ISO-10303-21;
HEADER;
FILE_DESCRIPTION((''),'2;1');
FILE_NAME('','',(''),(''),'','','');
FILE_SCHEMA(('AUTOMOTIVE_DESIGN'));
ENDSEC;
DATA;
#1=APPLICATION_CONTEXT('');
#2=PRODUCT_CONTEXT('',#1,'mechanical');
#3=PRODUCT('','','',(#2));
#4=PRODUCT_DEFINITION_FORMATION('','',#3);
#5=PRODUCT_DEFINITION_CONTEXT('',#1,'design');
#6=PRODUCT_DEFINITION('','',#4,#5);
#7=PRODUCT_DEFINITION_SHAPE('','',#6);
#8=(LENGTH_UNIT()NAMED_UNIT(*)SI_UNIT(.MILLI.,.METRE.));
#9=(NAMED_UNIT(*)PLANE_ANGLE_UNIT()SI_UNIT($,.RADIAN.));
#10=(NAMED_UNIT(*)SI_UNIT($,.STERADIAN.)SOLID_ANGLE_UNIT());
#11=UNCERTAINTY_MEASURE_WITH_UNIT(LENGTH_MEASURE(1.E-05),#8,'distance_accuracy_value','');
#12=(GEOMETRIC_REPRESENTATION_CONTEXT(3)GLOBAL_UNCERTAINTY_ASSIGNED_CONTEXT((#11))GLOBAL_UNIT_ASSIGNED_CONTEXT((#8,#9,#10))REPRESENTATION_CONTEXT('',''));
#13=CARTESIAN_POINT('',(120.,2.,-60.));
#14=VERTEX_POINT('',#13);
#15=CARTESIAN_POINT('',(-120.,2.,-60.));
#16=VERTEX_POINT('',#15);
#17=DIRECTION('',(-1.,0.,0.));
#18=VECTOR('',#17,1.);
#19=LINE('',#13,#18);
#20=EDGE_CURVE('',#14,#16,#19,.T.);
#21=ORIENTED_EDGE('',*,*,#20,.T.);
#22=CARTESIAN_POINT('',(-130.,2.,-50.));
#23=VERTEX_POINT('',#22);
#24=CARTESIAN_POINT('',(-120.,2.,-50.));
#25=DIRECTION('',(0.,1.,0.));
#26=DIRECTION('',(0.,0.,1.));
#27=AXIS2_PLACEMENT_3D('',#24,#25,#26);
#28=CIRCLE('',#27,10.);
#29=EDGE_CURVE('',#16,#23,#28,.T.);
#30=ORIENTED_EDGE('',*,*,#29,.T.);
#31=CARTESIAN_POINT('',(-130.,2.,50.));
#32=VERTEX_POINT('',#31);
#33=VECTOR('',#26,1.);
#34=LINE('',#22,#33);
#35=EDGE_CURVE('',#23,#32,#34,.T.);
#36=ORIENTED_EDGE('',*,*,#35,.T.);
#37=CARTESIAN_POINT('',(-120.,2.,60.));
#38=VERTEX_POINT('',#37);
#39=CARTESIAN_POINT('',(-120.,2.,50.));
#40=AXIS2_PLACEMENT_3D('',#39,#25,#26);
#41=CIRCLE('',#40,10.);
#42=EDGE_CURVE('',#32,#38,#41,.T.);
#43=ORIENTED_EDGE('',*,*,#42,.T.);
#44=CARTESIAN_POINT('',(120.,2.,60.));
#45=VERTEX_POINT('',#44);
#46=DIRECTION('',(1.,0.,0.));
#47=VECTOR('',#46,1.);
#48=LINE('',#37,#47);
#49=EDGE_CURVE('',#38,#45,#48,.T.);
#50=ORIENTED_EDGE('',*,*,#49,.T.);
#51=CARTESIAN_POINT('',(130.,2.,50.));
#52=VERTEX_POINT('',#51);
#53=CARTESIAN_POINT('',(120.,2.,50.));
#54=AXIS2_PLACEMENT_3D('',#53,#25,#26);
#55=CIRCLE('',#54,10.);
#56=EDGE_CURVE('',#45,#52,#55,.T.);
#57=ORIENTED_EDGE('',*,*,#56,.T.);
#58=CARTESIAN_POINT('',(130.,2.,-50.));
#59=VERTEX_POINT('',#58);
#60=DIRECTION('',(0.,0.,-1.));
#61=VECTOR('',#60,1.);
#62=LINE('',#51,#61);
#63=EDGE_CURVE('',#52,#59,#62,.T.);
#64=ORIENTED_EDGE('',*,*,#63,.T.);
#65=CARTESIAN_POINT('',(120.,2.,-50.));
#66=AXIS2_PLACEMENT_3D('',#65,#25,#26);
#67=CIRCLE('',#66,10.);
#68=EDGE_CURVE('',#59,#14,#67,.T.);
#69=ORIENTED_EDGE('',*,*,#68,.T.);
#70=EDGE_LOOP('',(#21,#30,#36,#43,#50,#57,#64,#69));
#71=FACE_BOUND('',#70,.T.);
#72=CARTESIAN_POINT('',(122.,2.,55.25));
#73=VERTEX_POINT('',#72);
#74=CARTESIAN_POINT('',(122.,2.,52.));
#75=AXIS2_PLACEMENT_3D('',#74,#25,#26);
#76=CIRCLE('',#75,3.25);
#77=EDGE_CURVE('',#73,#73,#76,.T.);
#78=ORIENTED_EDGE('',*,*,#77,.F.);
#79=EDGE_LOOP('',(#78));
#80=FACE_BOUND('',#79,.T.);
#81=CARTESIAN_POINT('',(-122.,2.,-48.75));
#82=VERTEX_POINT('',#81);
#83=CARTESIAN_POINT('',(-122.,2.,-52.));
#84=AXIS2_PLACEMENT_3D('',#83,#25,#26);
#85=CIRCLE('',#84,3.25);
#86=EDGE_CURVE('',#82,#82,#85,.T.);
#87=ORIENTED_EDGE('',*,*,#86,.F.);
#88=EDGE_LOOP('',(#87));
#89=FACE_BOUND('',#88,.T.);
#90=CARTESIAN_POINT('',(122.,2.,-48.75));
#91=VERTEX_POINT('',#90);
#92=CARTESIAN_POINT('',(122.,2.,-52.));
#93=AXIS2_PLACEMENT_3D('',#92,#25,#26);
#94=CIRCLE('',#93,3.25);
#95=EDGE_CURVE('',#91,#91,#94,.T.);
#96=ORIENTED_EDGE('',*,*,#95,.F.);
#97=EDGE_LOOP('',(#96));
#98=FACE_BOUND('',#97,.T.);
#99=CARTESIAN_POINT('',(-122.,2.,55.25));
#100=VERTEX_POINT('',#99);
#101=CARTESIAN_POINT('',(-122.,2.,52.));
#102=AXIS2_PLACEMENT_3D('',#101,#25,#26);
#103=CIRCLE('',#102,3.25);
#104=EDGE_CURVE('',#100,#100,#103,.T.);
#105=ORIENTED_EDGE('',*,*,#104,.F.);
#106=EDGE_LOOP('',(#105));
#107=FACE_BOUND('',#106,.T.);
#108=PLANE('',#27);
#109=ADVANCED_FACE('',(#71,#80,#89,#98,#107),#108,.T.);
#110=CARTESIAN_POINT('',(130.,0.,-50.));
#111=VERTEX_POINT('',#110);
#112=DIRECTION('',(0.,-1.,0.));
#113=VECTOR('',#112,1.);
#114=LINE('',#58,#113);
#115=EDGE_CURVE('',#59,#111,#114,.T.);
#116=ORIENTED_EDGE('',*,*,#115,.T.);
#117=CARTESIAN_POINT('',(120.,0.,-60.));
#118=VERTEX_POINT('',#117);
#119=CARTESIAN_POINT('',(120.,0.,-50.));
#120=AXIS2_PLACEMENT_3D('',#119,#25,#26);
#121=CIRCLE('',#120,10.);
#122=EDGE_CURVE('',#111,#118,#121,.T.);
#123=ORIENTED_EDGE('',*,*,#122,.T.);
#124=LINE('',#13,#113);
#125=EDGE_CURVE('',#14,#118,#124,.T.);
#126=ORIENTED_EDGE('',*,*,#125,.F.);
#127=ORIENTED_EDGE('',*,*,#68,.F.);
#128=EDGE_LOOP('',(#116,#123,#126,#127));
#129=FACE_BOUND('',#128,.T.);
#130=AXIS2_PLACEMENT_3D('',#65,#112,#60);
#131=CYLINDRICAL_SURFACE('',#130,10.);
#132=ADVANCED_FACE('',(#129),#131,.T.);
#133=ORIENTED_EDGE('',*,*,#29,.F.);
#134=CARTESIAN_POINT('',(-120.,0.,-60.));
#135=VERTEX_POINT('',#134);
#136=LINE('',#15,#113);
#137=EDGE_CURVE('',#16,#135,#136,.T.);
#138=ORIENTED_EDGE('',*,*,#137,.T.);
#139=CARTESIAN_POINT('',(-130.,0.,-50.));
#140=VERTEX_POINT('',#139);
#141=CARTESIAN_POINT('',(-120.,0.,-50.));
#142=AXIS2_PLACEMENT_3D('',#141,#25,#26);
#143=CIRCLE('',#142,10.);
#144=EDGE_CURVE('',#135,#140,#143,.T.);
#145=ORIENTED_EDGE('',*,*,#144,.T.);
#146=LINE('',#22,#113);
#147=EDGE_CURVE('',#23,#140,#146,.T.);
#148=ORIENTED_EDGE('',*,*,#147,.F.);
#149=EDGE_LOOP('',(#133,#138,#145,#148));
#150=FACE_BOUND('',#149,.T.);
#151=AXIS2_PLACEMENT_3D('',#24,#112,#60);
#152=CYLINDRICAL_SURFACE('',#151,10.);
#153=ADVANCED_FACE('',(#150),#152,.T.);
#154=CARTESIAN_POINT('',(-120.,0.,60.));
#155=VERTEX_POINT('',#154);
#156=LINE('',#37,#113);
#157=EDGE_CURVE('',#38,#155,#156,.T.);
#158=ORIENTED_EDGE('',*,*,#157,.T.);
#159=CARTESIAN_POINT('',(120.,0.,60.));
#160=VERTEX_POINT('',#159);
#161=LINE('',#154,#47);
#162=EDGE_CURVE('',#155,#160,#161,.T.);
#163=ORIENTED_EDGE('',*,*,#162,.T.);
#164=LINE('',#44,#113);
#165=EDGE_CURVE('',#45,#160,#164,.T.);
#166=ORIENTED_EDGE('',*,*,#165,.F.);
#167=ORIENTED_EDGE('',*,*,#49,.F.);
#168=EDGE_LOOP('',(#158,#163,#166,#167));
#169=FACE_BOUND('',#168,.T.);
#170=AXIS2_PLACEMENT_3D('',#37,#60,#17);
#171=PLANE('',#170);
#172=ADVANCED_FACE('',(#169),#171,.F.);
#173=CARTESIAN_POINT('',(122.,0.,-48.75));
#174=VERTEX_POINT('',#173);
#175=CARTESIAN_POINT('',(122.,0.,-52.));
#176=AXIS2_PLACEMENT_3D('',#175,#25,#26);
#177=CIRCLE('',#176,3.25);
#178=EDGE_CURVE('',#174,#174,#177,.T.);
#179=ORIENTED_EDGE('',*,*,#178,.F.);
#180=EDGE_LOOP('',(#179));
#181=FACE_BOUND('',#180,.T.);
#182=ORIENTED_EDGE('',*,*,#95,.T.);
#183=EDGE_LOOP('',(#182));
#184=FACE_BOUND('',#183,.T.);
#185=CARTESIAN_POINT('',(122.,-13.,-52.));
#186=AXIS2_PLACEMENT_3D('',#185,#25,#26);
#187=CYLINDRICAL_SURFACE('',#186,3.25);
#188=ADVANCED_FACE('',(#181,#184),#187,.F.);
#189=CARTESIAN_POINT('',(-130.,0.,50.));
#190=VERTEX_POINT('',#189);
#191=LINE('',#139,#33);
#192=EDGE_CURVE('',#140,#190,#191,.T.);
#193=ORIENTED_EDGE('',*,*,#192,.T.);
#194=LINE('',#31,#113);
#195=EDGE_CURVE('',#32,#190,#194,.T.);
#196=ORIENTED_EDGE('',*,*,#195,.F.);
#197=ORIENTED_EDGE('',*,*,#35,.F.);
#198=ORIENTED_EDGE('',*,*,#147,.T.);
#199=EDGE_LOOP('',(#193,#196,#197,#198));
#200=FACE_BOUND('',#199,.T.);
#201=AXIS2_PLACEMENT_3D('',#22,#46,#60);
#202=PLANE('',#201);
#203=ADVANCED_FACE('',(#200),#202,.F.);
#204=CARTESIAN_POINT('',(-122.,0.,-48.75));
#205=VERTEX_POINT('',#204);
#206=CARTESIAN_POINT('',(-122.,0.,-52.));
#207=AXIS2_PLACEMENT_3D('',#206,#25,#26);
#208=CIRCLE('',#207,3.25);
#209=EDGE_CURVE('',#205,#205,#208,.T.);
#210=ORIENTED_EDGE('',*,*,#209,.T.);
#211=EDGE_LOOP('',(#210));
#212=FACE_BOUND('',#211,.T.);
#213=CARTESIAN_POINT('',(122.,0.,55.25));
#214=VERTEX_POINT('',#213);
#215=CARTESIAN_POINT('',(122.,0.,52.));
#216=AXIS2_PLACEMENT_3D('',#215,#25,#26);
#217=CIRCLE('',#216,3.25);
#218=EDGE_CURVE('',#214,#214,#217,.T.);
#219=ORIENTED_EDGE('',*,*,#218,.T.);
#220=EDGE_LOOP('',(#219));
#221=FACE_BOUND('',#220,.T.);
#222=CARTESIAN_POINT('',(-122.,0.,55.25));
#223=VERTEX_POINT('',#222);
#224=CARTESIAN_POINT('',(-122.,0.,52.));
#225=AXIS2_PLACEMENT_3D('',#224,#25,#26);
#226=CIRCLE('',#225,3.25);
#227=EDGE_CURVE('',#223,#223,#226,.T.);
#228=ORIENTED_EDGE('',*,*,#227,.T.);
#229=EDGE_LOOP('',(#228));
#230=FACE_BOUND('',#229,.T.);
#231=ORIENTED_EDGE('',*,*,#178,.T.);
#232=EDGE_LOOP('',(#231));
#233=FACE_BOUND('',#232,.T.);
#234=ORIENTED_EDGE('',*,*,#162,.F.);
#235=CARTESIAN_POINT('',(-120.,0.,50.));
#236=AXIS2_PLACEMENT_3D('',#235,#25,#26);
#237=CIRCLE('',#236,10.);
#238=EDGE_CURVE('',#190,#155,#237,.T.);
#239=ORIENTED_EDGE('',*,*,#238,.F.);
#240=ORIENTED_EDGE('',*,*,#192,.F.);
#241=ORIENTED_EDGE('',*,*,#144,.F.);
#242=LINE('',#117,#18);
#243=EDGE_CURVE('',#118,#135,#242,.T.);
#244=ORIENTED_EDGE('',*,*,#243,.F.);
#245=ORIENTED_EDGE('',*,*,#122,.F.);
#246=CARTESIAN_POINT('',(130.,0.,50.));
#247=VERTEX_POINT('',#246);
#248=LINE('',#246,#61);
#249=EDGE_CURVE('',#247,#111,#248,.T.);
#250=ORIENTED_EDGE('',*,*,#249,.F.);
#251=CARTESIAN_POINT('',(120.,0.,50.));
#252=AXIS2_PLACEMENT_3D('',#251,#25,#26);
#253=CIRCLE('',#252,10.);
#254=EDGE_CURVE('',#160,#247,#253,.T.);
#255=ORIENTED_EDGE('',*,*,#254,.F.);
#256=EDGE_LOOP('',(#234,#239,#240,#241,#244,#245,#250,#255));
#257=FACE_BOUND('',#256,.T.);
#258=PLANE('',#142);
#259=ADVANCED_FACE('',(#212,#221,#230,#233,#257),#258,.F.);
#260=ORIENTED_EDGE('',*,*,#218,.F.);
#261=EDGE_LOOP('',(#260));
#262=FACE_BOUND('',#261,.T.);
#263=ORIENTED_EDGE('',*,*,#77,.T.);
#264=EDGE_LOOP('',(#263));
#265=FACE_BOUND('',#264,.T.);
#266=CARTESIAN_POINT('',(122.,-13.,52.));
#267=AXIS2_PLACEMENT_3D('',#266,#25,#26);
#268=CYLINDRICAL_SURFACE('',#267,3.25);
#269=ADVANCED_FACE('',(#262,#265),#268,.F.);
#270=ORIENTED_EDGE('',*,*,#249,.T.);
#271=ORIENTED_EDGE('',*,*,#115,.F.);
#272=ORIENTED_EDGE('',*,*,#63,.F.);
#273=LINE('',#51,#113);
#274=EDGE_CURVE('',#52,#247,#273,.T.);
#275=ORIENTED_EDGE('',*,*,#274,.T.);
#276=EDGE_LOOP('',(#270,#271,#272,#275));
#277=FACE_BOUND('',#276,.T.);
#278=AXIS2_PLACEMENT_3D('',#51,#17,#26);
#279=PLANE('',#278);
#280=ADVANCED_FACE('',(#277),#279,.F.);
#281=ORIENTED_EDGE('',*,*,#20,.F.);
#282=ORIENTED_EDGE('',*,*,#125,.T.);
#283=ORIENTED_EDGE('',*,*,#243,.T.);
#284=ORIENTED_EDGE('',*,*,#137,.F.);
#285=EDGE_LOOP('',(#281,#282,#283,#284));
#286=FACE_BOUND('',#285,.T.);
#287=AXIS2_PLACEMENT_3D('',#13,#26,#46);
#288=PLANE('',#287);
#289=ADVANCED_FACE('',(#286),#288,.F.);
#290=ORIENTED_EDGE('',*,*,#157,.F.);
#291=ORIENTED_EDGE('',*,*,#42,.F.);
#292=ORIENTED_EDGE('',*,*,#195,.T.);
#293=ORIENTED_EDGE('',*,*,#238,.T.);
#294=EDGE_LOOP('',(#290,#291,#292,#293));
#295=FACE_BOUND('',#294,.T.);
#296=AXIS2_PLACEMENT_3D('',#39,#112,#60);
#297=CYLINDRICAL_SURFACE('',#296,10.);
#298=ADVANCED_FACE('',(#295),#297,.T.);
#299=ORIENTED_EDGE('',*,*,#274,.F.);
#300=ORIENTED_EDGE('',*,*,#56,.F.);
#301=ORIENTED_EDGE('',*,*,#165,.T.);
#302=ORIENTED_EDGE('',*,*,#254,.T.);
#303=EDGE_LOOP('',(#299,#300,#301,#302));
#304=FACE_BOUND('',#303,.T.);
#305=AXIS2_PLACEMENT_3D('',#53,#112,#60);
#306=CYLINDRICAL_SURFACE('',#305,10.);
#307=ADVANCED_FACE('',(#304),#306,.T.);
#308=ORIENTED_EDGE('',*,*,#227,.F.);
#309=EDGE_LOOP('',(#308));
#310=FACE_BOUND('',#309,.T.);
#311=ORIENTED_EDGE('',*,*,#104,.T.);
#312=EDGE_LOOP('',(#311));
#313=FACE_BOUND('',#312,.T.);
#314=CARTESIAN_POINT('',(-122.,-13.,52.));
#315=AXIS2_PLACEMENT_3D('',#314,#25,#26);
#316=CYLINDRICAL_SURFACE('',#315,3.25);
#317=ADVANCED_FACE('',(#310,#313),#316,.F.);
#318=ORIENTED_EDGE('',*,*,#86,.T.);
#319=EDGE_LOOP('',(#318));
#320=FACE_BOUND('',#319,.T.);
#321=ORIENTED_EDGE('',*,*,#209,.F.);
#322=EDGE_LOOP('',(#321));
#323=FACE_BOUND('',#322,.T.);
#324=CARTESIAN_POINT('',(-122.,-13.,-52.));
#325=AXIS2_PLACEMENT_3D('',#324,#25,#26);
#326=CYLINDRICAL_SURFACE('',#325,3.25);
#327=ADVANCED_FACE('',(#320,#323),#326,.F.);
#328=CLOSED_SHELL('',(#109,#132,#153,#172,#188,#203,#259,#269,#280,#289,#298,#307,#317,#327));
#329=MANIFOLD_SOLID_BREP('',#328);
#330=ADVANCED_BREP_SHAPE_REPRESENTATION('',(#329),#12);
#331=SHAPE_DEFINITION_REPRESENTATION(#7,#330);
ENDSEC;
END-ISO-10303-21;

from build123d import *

# Parameters (mm, degrees)
EXTRUDE_1_DEPTH     = 2
SKETCH_3_R          = 3.25
CUT_EXTRUDE_2_DEPTH = 15


with BuildPart() as part:
    # 草图1 → 凸台-拉伸1 (new body)
    with BuildSketch(Plane(origin=(0, 0, 0), x_dir=(1, 0, 0), z_dir=(0, 1, 0))):
        with BuildLine():
            Line((-130, 50), (-130, -50))
            ThreePointArc((-130, -50), (-127.071067812, -57.071067812), (-120, -60))
            Line((-120, -60), (120, -60))
            ThreePointArc((120, -60), (127.071067812, -57.071067812), (130, -50))
            Line((130, -50), (130, 50))
            ThreePointArc((130, 50), (127.071067812, 57.071067812), (120, 60))
            Line((120, 60), (-120, 60))
            ThreePointArc((-120, 60), (-127.071067812, 57.071067812), (-130, 50))
        make_face()
    extrude(amount=EXTRUDE_1_DEPTH)

    # 草图3 → 切除-拉伸2 (cut)
    with BuildSketch(Plane(origin=(0, 2, 0), x_dir=(1, 0, 0), z_dir=(0, 1, 0))):
        with Locations(Location((-122, 52, 0), (0, 0, 270))):
            Circle(SKETCH_3_R)
        with Locations(Location((-122, -52, 0), (0, 0, 270))):
            Circle(SKETCH_3_R)
        with Locations(Location((122, -52, 0), (0, 0, 270))):
            Circle(SKETCH_3_R)
        with Locations(Location((122, 52, 0), (0, 0, 270))):
            Circle(SKETCH_3_R)
    extrude(amount=-CUT_EXTRUDE_2_DEPTH, mode=Mode.SUBTRACT)


solid = part.part
